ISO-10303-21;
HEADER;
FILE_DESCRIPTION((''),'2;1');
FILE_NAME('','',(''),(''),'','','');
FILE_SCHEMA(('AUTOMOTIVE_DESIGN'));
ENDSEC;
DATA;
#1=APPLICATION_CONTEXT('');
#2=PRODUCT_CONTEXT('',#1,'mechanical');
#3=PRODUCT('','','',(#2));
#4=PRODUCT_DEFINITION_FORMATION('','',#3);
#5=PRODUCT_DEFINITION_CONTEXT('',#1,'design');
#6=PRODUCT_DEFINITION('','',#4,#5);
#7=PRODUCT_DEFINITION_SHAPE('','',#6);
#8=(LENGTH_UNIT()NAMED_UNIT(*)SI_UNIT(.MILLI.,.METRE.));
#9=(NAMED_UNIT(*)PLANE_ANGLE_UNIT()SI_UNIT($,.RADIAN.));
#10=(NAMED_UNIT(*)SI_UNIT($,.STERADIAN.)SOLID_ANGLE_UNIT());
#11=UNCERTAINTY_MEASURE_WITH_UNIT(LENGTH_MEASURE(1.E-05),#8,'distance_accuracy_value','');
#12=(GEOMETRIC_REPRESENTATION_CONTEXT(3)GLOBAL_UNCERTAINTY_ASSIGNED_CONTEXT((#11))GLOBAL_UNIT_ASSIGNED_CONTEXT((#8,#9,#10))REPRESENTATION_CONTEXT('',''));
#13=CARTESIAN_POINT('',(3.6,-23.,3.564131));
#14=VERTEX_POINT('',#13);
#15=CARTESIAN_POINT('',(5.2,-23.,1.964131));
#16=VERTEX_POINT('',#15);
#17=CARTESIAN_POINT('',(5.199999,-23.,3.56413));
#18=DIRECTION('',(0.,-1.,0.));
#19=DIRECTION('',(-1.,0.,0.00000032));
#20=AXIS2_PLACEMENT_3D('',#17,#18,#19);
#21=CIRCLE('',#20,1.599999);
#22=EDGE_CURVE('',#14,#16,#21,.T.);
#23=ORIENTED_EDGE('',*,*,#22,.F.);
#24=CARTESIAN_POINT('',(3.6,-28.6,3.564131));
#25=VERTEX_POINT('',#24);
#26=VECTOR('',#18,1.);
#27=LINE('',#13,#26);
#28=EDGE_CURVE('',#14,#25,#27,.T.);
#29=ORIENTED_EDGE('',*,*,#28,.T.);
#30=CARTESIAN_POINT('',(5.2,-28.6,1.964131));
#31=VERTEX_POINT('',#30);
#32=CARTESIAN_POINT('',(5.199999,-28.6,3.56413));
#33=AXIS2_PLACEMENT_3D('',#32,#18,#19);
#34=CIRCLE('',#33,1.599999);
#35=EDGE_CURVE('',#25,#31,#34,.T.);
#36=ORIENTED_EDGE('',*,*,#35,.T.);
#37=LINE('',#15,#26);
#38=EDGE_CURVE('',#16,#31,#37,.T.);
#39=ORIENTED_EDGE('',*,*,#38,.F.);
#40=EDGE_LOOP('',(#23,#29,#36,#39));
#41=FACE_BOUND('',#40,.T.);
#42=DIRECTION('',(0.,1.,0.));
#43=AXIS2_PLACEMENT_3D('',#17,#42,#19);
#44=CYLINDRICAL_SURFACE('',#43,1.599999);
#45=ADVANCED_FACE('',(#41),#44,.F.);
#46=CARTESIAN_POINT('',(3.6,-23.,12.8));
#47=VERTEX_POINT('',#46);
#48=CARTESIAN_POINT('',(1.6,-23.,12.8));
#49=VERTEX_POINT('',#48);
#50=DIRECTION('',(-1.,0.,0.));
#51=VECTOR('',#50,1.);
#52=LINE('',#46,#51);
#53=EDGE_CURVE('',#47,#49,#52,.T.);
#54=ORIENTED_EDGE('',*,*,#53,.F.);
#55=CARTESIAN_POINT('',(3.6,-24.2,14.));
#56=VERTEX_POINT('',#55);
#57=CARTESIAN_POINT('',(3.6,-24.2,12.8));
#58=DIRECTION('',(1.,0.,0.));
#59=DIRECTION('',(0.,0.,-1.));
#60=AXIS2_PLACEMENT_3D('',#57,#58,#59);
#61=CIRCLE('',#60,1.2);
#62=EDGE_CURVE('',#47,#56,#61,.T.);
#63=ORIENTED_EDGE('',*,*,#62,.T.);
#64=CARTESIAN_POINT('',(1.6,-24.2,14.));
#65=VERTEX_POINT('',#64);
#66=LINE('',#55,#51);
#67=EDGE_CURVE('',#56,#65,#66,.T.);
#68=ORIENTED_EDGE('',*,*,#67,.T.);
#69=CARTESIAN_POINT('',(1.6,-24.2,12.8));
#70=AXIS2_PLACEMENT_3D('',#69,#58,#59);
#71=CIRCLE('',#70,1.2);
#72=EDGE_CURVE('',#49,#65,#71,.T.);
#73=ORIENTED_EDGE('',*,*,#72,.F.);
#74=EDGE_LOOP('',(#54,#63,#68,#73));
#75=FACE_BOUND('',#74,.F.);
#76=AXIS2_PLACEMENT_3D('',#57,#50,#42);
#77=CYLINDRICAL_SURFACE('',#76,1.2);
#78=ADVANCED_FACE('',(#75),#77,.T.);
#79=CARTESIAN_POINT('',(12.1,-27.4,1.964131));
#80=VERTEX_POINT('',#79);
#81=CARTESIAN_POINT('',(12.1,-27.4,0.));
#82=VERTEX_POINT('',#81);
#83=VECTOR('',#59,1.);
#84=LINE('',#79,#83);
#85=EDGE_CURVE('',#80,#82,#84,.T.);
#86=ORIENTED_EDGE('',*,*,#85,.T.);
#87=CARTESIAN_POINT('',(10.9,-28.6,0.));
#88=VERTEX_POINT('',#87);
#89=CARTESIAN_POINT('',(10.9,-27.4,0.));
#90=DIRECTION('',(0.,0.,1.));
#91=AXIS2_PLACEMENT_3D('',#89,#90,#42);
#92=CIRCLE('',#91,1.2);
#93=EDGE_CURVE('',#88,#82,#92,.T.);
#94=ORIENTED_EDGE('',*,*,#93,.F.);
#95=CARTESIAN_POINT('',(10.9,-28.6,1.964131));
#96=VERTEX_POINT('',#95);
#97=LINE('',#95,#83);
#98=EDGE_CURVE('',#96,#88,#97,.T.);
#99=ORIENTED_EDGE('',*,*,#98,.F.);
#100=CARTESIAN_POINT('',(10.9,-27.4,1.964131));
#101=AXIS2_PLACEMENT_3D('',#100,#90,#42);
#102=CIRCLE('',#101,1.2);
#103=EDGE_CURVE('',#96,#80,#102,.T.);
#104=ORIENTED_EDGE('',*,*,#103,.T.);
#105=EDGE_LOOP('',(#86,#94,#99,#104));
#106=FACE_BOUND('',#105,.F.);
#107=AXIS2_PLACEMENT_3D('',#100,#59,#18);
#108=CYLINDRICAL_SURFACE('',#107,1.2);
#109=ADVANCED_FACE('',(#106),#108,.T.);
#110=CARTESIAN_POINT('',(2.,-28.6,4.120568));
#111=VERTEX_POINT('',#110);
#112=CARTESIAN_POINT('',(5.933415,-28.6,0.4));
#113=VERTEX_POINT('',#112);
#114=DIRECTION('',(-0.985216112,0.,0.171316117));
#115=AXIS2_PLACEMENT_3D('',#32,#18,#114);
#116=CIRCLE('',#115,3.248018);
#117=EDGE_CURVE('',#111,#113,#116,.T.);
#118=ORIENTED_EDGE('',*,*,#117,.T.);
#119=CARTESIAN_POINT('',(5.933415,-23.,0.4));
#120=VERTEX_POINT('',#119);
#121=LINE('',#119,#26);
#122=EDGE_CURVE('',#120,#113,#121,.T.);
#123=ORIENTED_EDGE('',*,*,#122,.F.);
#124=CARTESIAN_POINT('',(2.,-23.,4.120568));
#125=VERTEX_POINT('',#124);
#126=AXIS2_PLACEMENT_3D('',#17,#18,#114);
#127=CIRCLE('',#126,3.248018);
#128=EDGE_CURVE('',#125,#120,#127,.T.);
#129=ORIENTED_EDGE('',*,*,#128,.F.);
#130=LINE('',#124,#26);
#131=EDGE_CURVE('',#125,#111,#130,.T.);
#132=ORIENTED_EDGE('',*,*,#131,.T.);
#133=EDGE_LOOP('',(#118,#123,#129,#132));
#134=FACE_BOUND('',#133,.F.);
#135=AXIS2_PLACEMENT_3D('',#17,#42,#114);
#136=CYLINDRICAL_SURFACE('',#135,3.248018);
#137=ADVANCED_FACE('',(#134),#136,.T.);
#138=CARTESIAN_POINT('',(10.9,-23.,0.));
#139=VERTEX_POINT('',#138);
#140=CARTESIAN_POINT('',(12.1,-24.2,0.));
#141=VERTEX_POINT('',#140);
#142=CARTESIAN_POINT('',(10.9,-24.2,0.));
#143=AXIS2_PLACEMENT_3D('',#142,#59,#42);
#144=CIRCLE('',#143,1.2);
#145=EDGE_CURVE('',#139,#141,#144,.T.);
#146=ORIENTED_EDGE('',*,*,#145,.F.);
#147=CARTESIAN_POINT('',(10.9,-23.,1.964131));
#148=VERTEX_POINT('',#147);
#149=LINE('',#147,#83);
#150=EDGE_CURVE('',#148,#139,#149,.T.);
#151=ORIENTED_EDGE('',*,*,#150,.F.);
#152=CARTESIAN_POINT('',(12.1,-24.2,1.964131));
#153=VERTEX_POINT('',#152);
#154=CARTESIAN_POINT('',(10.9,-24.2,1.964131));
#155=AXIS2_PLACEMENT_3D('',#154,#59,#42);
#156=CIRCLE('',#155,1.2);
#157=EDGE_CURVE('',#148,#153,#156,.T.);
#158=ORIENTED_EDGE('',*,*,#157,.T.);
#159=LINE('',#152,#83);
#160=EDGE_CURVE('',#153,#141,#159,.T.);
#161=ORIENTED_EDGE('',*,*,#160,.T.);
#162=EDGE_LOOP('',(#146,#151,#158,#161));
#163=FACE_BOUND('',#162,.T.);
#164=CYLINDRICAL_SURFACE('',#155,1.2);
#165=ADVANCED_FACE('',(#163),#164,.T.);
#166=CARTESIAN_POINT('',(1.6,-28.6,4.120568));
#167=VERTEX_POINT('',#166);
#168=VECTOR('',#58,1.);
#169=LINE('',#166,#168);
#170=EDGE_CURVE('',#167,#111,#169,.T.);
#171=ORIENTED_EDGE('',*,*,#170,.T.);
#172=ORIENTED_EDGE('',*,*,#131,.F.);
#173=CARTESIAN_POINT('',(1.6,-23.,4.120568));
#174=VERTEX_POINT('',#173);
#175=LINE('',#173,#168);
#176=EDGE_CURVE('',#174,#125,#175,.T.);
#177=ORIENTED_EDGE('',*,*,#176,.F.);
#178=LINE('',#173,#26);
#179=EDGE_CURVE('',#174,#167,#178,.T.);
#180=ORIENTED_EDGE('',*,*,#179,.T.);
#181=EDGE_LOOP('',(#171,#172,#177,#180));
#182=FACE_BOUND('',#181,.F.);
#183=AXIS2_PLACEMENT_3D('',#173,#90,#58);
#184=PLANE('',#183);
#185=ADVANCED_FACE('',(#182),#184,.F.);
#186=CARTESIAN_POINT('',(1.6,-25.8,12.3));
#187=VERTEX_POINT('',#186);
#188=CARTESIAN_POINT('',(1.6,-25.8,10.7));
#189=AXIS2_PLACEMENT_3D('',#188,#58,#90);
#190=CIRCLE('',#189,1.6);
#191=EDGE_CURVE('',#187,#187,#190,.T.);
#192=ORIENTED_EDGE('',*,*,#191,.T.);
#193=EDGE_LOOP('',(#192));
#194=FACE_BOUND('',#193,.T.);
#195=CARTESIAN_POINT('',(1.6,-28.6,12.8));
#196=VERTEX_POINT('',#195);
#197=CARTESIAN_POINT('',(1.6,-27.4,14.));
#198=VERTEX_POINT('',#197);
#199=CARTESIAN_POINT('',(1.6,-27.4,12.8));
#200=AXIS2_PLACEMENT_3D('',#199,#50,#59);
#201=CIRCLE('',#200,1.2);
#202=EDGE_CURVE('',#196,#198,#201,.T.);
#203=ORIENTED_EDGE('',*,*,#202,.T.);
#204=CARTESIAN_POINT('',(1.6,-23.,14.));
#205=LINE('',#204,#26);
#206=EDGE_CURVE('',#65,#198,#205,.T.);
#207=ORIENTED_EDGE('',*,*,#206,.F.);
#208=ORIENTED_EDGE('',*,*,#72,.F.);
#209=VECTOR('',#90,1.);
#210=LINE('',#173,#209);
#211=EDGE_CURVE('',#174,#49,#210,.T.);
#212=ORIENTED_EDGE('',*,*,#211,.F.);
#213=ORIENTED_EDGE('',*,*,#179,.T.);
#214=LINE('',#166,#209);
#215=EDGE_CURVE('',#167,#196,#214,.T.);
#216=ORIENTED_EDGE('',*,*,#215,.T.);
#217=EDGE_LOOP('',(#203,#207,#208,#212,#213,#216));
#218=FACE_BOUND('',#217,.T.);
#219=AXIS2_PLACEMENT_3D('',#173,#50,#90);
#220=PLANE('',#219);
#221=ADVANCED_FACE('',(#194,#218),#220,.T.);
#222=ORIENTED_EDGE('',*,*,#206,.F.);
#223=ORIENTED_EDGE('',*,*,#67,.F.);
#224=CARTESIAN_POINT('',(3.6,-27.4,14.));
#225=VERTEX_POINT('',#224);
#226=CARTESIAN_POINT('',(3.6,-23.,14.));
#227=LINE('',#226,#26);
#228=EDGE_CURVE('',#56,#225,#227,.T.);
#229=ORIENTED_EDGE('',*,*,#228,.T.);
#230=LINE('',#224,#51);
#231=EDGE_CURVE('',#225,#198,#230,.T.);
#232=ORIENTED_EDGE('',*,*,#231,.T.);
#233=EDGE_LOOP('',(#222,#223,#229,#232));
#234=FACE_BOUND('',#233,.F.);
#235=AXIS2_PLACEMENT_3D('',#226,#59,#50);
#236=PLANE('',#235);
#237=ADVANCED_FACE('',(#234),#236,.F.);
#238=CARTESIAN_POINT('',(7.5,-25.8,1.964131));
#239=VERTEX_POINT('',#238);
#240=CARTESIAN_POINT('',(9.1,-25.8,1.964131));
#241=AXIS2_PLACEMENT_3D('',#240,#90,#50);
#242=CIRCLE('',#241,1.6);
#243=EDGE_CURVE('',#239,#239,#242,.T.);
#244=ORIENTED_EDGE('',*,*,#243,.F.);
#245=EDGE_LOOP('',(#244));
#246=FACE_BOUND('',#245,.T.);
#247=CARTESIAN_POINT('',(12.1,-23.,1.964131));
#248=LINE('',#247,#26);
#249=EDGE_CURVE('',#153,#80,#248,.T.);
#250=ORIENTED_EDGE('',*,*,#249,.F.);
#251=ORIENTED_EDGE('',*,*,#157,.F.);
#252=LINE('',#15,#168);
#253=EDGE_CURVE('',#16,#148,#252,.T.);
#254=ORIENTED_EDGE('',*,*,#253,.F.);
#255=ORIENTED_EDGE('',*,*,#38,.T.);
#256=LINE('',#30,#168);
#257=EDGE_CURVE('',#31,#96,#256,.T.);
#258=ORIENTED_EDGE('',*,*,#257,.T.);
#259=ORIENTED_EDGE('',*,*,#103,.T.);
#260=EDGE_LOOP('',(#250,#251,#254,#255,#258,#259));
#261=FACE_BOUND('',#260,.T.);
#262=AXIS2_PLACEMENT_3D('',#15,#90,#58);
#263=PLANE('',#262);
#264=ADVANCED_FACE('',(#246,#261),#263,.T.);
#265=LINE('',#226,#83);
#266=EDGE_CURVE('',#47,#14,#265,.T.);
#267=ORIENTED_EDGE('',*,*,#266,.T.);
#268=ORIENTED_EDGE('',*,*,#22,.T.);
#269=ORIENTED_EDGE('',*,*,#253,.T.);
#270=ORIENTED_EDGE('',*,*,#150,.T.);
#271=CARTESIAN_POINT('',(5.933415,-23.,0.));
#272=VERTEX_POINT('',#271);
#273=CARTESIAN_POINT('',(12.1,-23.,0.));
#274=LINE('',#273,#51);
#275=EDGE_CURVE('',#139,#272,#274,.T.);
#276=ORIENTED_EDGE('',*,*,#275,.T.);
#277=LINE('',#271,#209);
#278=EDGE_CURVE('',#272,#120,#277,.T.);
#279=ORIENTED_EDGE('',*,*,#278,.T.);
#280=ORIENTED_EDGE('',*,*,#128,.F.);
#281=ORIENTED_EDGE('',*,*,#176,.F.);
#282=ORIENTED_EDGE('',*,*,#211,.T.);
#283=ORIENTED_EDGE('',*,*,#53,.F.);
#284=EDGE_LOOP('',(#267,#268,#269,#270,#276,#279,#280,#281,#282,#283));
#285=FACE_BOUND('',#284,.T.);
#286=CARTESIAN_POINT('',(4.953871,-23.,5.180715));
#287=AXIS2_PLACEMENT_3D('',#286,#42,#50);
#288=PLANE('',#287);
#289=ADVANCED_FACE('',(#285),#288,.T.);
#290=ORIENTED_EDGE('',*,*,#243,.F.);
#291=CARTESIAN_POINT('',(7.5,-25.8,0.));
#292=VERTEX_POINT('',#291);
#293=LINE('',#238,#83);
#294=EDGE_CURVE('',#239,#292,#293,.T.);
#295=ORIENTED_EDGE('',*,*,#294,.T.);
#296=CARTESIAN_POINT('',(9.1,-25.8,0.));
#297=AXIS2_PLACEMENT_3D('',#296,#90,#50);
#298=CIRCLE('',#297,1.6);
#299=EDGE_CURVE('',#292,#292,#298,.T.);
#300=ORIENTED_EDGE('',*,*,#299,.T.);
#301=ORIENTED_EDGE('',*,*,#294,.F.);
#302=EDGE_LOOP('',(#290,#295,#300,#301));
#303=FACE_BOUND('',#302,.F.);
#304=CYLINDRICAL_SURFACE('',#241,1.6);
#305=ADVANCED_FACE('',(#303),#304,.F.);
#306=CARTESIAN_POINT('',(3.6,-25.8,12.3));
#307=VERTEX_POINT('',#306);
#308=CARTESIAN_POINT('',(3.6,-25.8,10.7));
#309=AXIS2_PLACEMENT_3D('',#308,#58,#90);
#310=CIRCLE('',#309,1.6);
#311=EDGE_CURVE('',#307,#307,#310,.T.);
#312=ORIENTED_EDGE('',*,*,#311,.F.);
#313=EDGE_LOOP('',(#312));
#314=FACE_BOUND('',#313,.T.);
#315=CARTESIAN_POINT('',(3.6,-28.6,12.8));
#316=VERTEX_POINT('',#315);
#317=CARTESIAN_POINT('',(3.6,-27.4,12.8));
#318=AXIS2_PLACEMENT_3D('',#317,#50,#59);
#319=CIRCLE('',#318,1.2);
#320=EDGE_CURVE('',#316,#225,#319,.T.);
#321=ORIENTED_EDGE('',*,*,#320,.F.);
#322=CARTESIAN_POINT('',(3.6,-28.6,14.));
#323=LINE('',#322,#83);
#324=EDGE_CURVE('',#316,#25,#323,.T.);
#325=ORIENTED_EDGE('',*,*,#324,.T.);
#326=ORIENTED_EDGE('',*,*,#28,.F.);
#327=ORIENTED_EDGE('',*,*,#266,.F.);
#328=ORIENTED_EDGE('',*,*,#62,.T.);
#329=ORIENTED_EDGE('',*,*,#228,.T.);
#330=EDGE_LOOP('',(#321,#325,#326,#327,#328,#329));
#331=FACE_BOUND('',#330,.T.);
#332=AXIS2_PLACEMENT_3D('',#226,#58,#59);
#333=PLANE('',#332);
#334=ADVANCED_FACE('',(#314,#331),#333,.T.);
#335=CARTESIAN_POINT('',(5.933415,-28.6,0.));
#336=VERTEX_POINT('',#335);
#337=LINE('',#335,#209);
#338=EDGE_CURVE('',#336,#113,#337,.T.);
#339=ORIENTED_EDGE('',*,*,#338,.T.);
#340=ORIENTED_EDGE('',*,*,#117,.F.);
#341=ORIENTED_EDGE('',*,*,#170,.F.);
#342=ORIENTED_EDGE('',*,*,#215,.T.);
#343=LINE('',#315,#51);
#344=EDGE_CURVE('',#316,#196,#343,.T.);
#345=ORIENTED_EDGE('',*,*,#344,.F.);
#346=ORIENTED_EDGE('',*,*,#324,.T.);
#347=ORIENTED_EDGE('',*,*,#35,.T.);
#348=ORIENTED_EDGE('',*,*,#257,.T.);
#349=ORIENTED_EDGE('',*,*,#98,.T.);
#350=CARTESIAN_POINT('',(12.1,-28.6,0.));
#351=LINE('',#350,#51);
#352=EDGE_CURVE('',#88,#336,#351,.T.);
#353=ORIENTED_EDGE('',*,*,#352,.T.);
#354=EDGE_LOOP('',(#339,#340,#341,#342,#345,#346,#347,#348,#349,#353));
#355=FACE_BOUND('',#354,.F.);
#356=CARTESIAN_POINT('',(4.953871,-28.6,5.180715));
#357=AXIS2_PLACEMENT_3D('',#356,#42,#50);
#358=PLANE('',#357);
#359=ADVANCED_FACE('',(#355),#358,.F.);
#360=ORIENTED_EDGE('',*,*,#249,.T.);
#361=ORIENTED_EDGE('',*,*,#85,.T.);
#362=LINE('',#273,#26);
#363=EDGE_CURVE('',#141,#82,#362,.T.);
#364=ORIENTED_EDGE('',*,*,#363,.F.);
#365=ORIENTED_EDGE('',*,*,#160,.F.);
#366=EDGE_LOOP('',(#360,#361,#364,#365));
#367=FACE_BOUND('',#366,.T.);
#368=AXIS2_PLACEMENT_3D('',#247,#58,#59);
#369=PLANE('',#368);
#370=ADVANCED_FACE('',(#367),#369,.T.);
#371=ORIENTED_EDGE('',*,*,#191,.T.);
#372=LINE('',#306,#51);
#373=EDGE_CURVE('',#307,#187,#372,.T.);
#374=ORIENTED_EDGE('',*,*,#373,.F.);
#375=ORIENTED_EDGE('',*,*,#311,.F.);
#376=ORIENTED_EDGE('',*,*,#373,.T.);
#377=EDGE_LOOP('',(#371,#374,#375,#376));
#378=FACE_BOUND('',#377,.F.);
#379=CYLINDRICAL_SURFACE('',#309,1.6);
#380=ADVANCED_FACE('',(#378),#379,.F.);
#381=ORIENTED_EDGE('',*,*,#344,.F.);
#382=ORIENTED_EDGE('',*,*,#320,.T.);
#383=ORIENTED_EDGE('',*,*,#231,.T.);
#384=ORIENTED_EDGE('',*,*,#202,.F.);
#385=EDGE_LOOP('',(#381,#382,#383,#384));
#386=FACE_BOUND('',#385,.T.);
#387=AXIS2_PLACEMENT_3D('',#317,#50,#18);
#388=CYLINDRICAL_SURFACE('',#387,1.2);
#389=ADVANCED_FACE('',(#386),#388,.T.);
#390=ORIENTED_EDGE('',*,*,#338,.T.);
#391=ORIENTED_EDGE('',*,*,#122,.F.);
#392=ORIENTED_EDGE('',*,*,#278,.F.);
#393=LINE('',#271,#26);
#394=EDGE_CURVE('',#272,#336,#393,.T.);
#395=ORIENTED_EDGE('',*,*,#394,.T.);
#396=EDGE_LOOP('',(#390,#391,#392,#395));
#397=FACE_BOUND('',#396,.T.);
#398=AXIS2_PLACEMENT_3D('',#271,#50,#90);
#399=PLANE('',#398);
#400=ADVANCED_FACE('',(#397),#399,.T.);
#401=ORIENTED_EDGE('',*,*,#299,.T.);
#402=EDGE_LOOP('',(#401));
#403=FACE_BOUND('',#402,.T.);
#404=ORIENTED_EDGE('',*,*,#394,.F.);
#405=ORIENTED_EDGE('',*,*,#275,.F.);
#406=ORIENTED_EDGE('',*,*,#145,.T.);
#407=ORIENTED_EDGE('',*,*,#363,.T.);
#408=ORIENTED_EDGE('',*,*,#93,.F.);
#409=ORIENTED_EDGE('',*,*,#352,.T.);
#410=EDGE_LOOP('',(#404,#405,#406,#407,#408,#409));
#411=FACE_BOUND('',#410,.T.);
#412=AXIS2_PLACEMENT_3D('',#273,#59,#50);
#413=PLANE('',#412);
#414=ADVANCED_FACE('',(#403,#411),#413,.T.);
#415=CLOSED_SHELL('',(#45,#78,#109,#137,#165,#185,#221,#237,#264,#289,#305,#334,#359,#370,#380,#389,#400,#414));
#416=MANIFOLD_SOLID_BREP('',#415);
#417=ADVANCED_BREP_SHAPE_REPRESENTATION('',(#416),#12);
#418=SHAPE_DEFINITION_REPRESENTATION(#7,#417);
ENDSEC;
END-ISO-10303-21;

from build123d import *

# Parameters (mm, degrees)
PAD006_DEPTH    = 5.6
SKETCH008_R     = 1.6
POCKET_DEPTH    = 2
SKETCH009_R     = 1.6
POCKET001_DEPTH = 2
FILLET_R        = 1.2


with BuildPart() as part:
    # Sketch007 → Pad006 (new body)
    with BuildSketch(Plane.XZ):
        with BuildLine():
            Line((0, 4.120568), (0, 14))
            Line((2, 14), (0, 14))
            Line((2, 14), (2, 3.564131))
            ThreePointArc((2, 3.564131), (2.468629, 2.43276), (3.6, 1.964131))
            Line((3.6, 1.964131), (10.5, 1.964131))
            Line((10.5, 1.964131), (10.5, 0))
            Line((10.5, 0), (4.333415, 0))
            Line((4.333415, 0), (4.333415, 0.4))
            ThreePointArc((0.4, 4.120568), (1.368035, 1.204479), (4.333415, 0.4))
            Line((0, 4.120568), (0.4, 4.120568))
        make_face()
    extrude(amount=PAD006_DEPTH)

    # Sketch008 (on Face4 of Pad006) → Pocket (cut)
    with BuildSketch(Plane(origin=(2, 0, 0), x_dir=(0, 0, 1), z_dir=(1, 0, 0))):
        with Locations((10.7, 2.8)):
            Circle(SKETCH008_R)
    extrude(amount=-POCKET_DEPTH, mode=Mode.SUBTRACT)

    # Sketch009 (on Face11 of Pocket) → Pocket001 (cut)
    with BuildSketch(Plane(origin=(0, 0, 1.964131), x_dir=(-1, 0, 0), z_dir=(0, 0, 1))):
        with Locations((-7.5, 2.8)):
            Circle(SKETCH009_R)
    extrude(amount=-POCKET001_DEPTH, mode=Mode.SUBTRACT)

    # Fillet
    fillet_edges = [part.edges().sort_by_distance(p)[0] for p in [
        (1, 0, 14),
        (1, -5.6, 14),
        (10.5, -5.6, 0.982065),
        (10.5, 0, 0.982065),
    ]]
    fillet(fillet_edges, radius=FILLET_R)


with BuildPart() as part_1:
    # Body004 placement: moved
    add(part.part.moved(Location((1.6, -23, 0))))


solid = part_1.part
